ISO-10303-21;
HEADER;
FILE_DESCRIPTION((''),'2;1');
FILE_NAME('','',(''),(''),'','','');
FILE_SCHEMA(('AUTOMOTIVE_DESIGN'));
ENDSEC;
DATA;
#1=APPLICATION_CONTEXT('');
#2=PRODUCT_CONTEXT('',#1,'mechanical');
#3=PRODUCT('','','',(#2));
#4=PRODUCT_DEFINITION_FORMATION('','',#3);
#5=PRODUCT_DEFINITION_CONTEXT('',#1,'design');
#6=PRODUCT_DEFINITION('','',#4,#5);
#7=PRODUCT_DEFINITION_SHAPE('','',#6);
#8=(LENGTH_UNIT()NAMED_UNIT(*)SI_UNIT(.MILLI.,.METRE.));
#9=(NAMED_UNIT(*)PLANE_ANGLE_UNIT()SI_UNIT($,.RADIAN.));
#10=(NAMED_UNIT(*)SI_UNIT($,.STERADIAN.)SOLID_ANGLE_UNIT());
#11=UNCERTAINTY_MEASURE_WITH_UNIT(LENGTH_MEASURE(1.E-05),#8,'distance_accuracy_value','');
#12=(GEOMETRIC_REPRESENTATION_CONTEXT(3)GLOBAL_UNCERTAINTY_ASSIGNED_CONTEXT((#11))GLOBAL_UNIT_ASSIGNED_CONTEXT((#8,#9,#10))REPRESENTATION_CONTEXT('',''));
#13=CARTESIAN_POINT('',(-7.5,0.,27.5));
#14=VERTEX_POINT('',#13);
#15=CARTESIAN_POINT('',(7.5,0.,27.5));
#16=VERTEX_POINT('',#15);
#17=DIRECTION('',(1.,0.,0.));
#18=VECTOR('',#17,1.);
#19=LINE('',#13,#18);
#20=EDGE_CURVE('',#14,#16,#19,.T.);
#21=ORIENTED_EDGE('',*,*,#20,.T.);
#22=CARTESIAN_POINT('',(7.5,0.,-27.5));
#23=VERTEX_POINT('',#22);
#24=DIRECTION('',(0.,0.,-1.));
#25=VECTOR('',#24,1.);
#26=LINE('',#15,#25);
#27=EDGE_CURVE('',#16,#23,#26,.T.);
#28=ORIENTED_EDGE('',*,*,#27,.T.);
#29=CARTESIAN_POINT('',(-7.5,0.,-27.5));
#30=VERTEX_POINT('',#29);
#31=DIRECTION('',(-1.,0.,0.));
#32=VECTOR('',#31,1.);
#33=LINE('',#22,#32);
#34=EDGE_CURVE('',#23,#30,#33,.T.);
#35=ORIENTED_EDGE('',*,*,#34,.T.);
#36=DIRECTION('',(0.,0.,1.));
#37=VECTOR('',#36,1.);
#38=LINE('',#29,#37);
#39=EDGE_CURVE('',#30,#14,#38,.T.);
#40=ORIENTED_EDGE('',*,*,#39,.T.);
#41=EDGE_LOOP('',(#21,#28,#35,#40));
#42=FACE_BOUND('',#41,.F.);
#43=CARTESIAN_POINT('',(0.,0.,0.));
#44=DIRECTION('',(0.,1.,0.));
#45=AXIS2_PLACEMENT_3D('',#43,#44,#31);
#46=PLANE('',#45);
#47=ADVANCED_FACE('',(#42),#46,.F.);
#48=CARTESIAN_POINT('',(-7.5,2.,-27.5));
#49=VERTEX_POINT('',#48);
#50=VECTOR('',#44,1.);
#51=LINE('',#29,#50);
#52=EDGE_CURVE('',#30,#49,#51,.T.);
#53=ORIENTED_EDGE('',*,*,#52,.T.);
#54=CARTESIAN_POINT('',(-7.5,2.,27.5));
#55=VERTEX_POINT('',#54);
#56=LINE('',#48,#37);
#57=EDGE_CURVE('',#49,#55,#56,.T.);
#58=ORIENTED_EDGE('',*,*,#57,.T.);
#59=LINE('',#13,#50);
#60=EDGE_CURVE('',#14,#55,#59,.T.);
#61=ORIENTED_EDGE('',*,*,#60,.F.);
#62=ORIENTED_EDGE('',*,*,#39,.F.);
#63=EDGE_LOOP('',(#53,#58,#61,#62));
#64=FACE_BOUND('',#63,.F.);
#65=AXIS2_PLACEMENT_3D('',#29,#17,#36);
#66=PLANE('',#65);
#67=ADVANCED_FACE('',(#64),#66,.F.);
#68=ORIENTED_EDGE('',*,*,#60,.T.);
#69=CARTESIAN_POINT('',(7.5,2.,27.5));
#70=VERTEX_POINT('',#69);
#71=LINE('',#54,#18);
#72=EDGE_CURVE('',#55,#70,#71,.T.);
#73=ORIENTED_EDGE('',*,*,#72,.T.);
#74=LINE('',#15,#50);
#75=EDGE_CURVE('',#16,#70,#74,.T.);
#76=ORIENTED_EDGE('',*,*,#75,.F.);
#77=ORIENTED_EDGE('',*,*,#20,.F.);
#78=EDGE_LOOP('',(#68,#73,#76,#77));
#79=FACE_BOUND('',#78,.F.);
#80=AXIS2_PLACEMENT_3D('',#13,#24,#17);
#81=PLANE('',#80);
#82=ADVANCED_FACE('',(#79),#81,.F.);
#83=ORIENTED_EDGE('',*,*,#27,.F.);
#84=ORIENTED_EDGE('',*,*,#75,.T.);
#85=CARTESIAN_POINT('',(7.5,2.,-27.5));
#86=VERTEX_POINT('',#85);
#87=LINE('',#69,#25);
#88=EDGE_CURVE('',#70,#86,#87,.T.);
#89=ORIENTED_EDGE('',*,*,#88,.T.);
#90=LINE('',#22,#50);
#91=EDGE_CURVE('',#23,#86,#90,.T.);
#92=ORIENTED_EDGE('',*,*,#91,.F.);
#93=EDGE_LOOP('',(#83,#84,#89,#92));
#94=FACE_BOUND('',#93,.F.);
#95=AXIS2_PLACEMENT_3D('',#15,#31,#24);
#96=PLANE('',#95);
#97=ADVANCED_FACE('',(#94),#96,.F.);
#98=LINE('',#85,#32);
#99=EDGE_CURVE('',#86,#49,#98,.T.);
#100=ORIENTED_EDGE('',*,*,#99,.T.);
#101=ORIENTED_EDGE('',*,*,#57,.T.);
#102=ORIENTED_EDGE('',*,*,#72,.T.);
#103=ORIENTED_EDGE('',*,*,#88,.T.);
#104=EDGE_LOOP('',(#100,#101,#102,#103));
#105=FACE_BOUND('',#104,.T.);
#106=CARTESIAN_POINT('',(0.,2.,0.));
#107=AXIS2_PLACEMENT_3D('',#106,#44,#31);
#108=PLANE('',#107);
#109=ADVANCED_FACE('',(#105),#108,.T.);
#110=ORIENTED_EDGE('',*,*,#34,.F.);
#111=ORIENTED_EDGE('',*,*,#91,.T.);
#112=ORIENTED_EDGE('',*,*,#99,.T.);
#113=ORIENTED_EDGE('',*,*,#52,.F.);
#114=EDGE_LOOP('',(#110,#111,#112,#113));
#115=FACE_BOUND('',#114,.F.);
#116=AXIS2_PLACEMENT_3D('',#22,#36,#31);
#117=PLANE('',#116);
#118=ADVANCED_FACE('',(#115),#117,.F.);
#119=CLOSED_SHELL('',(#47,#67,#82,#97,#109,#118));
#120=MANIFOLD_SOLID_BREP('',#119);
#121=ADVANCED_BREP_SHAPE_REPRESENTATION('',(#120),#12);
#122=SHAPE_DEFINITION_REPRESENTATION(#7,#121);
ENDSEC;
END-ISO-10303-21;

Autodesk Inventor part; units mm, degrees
ref_plane "YZ Plane" through (0, 0, 0) normal (1, 0, 0) x (0, 1, 0)
ref_plane "XZ Plane" through (0, 0, 0) normal (0, 1, 0) x (-1, 0, 0)
ref_plane "XY Plane" through (0, 0, 0) normal (0, 0, 1) x (1, 0, 0)
sketch "Sketch1" plane through (0, 0, 0) normal (0, 1, 0) x (-1, 0, 0)
  line L0 (7.5, 27.5) -> (-7.5, 27.5)
  line L1 (-7.5, 27.5) -> (-7.5, -27.5)
  line L2 (-7.5, -27.5) -> (7.5, -27.5)
  line L3 (7.5, -27.5) -> (7.5, 27.5)
  point P0 (0, 0)
  point P1 (0, 27.5)
  point P2 (7.5, 0)
  dimension "d0" = 15
  dimension "d1" = 55
extrude "Extrusion1" add sketch "Sketch1" along normal blind 2
properties part number "FP Spoilers (2)"
